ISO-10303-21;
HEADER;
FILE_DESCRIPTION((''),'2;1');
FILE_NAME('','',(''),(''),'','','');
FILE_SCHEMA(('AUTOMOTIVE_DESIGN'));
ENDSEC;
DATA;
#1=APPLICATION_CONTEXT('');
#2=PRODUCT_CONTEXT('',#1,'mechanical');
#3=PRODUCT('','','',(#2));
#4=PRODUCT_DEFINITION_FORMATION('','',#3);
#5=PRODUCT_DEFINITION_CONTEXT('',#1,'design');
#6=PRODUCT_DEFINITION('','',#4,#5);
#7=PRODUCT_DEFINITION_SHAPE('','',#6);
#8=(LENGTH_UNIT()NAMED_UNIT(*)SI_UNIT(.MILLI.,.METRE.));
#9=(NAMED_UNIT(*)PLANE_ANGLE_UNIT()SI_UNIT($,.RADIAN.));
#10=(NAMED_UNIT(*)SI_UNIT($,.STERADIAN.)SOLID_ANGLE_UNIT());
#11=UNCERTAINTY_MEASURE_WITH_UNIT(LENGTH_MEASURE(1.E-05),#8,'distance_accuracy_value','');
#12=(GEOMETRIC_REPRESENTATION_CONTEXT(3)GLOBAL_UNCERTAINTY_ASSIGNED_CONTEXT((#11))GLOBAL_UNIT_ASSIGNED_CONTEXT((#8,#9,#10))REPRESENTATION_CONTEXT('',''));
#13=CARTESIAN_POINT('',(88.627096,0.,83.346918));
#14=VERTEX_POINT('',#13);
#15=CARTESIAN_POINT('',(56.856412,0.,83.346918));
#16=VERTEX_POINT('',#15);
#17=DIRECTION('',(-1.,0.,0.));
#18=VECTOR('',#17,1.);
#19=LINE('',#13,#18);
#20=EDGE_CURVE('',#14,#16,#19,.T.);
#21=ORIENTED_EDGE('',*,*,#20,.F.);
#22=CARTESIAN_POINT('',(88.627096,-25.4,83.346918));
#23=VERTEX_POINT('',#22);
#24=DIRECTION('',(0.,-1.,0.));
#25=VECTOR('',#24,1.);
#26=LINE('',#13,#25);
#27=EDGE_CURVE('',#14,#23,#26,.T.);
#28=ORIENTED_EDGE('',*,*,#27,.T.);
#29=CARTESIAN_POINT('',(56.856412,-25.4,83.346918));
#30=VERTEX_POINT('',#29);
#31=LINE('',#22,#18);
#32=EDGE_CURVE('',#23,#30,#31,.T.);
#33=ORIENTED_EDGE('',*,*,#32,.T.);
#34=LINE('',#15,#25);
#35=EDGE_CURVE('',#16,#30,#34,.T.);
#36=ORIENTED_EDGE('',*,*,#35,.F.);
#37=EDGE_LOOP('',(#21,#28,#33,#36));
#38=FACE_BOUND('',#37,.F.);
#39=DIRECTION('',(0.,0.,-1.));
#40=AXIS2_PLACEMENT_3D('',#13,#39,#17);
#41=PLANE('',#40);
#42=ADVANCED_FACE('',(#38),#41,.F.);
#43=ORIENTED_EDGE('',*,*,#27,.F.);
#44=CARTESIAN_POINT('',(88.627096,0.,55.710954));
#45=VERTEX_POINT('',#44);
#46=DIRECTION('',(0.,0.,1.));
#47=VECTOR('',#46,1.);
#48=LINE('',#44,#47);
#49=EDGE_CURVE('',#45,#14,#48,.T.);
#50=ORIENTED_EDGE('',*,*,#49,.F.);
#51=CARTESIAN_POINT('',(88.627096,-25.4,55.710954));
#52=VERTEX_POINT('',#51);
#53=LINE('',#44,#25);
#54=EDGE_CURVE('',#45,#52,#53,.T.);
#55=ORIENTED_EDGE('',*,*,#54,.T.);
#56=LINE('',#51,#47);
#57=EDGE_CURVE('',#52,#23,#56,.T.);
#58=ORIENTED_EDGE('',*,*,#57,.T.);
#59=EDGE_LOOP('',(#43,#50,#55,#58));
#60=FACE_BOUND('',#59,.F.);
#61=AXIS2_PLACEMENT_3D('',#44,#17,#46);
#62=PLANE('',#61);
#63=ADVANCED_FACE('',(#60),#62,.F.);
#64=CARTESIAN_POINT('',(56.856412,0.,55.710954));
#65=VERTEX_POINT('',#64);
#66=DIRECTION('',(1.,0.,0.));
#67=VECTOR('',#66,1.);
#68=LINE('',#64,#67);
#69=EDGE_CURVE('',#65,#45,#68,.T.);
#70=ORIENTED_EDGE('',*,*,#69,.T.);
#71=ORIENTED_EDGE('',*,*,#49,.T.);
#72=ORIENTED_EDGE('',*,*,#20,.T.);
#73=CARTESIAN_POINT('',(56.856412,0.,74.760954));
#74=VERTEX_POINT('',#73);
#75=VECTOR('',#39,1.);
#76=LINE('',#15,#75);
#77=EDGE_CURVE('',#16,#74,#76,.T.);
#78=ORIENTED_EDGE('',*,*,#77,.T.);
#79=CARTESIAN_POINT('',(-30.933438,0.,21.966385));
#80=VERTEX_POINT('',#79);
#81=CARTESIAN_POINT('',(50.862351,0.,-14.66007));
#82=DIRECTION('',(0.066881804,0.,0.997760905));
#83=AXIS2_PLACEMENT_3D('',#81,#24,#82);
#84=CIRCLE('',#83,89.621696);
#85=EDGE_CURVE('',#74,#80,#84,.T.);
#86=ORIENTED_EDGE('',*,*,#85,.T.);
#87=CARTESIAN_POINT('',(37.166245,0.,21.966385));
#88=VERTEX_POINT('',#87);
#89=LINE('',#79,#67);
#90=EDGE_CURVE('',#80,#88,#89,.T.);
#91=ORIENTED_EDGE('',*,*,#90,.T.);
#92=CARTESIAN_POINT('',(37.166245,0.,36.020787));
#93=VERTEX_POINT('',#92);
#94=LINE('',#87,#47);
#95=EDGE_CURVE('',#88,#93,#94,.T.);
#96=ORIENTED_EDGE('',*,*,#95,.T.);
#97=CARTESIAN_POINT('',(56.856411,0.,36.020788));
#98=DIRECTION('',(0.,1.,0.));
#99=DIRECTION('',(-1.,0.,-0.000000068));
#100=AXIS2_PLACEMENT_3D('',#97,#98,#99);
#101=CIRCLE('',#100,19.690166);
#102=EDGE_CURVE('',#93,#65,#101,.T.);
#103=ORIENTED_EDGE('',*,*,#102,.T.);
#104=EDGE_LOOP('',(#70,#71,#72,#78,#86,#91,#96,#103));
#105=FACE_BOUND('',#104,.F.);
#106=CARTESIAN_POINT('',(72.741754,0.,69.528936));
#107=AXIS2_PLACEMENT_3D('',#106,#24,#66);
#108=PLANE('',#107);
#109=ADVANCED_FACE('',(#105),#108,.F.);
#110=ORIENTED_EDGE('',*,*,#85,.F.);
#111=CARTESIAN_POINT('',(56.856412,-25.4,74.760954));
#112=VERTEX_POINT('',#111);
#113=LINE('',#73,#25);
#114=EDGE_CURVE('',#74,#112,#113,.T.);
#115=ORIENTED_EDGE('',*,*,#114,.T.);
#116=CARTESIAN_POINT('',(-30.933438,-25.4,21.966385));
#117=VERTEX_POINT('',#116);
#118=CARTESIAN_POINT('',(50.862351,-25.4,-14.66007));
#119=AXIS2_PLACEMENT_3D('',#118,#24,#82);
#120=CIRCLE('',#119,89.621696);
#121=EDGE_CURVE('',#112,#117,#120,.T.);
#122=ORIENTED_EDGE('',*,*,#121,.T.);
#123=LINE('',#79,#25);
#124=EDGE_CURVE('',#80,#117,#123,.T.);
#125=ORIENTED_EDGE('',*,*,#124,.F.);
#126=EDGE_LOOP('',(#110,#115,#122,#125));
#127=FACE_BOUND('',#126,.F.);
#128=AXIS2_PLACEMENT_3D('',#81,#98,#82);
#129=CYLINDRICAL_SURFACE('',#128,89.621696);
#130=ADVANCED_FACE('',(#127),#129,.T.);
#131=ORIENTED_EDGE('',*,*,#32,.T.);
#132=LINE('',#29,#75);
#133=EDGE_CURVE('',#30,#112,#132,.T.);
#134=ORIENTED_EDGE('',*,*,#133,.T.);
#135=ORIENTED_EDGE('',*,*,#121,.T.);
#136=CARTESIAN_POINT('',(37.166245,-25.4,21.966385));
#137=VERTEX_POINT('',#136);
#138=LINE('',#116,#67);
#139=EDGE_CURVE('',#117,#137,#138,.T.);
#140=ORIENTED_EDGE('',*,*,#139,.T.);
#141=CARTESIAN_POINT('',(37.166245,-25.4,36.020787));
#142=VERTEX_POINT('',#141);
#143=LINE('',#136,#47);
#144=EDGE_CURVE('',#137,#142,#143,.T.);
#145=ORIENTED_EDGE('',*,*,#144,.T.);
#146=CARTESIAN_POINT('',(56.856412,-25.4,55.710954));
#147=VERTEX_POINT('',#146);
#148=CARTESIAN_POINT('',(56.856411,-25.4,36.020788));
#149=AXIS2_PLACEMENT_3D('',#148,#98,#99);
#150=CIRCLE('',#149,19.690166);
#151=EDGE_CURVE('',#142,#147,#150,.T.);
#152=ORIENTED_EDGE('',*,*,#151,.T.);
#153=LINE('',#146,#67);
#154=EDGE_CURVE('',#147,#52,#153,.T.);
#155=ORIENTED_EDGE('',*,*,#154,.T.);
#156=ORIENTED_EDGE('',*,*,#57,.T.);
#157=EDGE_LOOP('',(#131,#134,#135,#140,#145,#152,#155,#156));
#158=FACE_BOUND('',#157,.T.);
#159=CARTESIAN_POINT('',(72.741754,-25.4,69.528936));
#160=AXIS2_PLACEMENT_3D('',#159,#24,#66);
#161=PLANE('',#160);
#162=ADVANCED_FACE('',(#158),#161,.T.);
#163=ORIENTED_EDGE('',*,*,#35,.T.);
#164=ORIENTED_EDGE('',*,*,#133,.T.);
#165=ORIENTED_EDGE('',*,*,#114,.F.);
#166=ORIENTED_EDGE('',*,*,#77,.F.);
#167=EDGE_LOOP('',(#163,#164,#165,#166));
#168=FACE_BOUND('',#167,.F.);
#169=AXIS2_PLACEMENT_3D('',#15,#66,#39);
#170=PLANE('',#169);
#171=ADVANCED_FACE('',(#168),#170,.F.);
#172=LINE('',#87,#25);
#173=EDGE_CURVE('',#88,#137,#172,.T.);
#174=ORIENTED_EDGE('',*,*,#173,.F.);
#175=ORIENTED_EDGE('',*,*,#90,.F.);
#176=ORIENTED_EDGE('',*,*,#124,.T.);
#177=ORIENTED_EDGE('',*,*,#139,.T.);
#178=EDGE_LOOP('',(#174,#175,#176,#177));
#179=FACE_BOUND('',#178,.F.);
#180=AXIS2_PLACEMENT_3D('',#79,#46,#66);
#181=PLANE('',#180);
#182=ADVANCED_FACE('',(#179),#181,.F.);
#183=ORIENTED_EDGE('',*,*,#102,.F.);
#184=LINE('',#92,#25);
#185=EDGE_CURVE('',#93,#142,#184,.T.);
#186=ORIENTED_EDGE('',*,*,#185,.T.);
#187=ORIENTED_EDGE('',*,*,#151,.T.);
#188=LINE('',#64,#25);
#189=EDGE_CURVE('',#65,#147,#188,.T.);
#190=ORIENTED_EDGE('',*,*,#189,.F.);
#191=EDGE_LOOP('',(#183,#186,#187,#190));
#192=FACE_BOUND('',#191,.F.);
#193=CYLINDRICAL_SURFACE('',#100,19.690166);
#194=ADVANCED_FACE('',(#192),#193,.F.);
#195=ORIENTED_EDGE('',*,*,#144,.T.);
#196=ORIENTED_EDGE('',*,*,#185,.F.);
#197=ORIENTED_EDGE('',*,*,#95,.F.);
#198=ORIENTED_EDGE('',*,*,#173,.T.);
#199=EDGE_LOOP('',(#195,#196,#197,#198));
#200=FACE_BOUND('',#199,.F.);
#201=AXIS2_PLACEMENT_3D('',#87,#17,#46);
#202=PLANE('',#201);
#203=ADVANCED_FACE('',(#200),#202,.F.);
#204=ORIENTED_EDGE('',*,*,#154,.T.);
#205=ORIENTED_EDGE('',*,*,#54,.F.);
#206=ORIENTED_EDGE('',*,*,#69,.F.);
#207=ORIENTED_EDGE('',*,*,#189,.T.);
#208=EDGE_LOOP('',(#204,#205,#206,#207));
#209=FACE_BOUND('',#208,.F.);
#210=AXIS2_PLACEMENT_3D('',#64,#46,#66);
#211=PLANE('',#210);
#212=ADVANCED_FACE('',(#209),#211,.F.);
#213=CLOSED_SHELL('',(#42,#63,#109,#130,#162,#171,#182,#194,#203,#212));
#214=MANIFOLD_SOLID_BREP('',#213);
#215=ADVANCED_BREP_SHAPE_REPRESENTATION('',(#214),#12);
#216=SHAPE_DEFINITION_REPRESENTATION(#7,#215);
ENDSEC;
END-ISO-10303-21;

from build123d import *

# Parameters (mm, degrees)
F1_DEPTH = 25.4


with BuildPart() as f1:
    # F0 (on Front) → F1 (new body)
    with BuildSketch(Plane.XZ):
        Polygon((56.856412, 74.760954), (56.856412, 55.710954), (88.627096, 55.710954), (88.627096, 83.346918), (56.856412, 83.346918), align=None)
        with BuildLine():
            Line((-30.933438, 21.966385), (18.116245, 21.966385))
            Line((18.116245, 21.966385), (18.116245, 36.020787))
            ThreePointArc((18.116245, 36.020787), (29.462977, 63.414222), (56.856412, 74.760954))
            ThreePointArc((56.856412, 74.760954), (4.674775, 62.14329), (-30.933438, 21.966385))
        make_face()
        with BuildLine():
            Line((18.116245, 21.966385), (37.166245, 21.966385))
            Line((37.166245, 21.966385), (37.166245, 36.020787))
            ThreePointArc((37.166245, 36.020787), (42.933361, 49.943838), (56.856412, 55.710954))
            Line((56.856412, 55.710954), (56.856412, 74.760954))
            ThreePointArc((56.856412, 74.760954), (29.462977, 63.414222), (18.116245, 36.020787))
            Line((18.116245, 36.020787), (18.116245, 21.966385))
        make_face()
    extrude(amount=F1_DEPTH)


solid = f1.part
